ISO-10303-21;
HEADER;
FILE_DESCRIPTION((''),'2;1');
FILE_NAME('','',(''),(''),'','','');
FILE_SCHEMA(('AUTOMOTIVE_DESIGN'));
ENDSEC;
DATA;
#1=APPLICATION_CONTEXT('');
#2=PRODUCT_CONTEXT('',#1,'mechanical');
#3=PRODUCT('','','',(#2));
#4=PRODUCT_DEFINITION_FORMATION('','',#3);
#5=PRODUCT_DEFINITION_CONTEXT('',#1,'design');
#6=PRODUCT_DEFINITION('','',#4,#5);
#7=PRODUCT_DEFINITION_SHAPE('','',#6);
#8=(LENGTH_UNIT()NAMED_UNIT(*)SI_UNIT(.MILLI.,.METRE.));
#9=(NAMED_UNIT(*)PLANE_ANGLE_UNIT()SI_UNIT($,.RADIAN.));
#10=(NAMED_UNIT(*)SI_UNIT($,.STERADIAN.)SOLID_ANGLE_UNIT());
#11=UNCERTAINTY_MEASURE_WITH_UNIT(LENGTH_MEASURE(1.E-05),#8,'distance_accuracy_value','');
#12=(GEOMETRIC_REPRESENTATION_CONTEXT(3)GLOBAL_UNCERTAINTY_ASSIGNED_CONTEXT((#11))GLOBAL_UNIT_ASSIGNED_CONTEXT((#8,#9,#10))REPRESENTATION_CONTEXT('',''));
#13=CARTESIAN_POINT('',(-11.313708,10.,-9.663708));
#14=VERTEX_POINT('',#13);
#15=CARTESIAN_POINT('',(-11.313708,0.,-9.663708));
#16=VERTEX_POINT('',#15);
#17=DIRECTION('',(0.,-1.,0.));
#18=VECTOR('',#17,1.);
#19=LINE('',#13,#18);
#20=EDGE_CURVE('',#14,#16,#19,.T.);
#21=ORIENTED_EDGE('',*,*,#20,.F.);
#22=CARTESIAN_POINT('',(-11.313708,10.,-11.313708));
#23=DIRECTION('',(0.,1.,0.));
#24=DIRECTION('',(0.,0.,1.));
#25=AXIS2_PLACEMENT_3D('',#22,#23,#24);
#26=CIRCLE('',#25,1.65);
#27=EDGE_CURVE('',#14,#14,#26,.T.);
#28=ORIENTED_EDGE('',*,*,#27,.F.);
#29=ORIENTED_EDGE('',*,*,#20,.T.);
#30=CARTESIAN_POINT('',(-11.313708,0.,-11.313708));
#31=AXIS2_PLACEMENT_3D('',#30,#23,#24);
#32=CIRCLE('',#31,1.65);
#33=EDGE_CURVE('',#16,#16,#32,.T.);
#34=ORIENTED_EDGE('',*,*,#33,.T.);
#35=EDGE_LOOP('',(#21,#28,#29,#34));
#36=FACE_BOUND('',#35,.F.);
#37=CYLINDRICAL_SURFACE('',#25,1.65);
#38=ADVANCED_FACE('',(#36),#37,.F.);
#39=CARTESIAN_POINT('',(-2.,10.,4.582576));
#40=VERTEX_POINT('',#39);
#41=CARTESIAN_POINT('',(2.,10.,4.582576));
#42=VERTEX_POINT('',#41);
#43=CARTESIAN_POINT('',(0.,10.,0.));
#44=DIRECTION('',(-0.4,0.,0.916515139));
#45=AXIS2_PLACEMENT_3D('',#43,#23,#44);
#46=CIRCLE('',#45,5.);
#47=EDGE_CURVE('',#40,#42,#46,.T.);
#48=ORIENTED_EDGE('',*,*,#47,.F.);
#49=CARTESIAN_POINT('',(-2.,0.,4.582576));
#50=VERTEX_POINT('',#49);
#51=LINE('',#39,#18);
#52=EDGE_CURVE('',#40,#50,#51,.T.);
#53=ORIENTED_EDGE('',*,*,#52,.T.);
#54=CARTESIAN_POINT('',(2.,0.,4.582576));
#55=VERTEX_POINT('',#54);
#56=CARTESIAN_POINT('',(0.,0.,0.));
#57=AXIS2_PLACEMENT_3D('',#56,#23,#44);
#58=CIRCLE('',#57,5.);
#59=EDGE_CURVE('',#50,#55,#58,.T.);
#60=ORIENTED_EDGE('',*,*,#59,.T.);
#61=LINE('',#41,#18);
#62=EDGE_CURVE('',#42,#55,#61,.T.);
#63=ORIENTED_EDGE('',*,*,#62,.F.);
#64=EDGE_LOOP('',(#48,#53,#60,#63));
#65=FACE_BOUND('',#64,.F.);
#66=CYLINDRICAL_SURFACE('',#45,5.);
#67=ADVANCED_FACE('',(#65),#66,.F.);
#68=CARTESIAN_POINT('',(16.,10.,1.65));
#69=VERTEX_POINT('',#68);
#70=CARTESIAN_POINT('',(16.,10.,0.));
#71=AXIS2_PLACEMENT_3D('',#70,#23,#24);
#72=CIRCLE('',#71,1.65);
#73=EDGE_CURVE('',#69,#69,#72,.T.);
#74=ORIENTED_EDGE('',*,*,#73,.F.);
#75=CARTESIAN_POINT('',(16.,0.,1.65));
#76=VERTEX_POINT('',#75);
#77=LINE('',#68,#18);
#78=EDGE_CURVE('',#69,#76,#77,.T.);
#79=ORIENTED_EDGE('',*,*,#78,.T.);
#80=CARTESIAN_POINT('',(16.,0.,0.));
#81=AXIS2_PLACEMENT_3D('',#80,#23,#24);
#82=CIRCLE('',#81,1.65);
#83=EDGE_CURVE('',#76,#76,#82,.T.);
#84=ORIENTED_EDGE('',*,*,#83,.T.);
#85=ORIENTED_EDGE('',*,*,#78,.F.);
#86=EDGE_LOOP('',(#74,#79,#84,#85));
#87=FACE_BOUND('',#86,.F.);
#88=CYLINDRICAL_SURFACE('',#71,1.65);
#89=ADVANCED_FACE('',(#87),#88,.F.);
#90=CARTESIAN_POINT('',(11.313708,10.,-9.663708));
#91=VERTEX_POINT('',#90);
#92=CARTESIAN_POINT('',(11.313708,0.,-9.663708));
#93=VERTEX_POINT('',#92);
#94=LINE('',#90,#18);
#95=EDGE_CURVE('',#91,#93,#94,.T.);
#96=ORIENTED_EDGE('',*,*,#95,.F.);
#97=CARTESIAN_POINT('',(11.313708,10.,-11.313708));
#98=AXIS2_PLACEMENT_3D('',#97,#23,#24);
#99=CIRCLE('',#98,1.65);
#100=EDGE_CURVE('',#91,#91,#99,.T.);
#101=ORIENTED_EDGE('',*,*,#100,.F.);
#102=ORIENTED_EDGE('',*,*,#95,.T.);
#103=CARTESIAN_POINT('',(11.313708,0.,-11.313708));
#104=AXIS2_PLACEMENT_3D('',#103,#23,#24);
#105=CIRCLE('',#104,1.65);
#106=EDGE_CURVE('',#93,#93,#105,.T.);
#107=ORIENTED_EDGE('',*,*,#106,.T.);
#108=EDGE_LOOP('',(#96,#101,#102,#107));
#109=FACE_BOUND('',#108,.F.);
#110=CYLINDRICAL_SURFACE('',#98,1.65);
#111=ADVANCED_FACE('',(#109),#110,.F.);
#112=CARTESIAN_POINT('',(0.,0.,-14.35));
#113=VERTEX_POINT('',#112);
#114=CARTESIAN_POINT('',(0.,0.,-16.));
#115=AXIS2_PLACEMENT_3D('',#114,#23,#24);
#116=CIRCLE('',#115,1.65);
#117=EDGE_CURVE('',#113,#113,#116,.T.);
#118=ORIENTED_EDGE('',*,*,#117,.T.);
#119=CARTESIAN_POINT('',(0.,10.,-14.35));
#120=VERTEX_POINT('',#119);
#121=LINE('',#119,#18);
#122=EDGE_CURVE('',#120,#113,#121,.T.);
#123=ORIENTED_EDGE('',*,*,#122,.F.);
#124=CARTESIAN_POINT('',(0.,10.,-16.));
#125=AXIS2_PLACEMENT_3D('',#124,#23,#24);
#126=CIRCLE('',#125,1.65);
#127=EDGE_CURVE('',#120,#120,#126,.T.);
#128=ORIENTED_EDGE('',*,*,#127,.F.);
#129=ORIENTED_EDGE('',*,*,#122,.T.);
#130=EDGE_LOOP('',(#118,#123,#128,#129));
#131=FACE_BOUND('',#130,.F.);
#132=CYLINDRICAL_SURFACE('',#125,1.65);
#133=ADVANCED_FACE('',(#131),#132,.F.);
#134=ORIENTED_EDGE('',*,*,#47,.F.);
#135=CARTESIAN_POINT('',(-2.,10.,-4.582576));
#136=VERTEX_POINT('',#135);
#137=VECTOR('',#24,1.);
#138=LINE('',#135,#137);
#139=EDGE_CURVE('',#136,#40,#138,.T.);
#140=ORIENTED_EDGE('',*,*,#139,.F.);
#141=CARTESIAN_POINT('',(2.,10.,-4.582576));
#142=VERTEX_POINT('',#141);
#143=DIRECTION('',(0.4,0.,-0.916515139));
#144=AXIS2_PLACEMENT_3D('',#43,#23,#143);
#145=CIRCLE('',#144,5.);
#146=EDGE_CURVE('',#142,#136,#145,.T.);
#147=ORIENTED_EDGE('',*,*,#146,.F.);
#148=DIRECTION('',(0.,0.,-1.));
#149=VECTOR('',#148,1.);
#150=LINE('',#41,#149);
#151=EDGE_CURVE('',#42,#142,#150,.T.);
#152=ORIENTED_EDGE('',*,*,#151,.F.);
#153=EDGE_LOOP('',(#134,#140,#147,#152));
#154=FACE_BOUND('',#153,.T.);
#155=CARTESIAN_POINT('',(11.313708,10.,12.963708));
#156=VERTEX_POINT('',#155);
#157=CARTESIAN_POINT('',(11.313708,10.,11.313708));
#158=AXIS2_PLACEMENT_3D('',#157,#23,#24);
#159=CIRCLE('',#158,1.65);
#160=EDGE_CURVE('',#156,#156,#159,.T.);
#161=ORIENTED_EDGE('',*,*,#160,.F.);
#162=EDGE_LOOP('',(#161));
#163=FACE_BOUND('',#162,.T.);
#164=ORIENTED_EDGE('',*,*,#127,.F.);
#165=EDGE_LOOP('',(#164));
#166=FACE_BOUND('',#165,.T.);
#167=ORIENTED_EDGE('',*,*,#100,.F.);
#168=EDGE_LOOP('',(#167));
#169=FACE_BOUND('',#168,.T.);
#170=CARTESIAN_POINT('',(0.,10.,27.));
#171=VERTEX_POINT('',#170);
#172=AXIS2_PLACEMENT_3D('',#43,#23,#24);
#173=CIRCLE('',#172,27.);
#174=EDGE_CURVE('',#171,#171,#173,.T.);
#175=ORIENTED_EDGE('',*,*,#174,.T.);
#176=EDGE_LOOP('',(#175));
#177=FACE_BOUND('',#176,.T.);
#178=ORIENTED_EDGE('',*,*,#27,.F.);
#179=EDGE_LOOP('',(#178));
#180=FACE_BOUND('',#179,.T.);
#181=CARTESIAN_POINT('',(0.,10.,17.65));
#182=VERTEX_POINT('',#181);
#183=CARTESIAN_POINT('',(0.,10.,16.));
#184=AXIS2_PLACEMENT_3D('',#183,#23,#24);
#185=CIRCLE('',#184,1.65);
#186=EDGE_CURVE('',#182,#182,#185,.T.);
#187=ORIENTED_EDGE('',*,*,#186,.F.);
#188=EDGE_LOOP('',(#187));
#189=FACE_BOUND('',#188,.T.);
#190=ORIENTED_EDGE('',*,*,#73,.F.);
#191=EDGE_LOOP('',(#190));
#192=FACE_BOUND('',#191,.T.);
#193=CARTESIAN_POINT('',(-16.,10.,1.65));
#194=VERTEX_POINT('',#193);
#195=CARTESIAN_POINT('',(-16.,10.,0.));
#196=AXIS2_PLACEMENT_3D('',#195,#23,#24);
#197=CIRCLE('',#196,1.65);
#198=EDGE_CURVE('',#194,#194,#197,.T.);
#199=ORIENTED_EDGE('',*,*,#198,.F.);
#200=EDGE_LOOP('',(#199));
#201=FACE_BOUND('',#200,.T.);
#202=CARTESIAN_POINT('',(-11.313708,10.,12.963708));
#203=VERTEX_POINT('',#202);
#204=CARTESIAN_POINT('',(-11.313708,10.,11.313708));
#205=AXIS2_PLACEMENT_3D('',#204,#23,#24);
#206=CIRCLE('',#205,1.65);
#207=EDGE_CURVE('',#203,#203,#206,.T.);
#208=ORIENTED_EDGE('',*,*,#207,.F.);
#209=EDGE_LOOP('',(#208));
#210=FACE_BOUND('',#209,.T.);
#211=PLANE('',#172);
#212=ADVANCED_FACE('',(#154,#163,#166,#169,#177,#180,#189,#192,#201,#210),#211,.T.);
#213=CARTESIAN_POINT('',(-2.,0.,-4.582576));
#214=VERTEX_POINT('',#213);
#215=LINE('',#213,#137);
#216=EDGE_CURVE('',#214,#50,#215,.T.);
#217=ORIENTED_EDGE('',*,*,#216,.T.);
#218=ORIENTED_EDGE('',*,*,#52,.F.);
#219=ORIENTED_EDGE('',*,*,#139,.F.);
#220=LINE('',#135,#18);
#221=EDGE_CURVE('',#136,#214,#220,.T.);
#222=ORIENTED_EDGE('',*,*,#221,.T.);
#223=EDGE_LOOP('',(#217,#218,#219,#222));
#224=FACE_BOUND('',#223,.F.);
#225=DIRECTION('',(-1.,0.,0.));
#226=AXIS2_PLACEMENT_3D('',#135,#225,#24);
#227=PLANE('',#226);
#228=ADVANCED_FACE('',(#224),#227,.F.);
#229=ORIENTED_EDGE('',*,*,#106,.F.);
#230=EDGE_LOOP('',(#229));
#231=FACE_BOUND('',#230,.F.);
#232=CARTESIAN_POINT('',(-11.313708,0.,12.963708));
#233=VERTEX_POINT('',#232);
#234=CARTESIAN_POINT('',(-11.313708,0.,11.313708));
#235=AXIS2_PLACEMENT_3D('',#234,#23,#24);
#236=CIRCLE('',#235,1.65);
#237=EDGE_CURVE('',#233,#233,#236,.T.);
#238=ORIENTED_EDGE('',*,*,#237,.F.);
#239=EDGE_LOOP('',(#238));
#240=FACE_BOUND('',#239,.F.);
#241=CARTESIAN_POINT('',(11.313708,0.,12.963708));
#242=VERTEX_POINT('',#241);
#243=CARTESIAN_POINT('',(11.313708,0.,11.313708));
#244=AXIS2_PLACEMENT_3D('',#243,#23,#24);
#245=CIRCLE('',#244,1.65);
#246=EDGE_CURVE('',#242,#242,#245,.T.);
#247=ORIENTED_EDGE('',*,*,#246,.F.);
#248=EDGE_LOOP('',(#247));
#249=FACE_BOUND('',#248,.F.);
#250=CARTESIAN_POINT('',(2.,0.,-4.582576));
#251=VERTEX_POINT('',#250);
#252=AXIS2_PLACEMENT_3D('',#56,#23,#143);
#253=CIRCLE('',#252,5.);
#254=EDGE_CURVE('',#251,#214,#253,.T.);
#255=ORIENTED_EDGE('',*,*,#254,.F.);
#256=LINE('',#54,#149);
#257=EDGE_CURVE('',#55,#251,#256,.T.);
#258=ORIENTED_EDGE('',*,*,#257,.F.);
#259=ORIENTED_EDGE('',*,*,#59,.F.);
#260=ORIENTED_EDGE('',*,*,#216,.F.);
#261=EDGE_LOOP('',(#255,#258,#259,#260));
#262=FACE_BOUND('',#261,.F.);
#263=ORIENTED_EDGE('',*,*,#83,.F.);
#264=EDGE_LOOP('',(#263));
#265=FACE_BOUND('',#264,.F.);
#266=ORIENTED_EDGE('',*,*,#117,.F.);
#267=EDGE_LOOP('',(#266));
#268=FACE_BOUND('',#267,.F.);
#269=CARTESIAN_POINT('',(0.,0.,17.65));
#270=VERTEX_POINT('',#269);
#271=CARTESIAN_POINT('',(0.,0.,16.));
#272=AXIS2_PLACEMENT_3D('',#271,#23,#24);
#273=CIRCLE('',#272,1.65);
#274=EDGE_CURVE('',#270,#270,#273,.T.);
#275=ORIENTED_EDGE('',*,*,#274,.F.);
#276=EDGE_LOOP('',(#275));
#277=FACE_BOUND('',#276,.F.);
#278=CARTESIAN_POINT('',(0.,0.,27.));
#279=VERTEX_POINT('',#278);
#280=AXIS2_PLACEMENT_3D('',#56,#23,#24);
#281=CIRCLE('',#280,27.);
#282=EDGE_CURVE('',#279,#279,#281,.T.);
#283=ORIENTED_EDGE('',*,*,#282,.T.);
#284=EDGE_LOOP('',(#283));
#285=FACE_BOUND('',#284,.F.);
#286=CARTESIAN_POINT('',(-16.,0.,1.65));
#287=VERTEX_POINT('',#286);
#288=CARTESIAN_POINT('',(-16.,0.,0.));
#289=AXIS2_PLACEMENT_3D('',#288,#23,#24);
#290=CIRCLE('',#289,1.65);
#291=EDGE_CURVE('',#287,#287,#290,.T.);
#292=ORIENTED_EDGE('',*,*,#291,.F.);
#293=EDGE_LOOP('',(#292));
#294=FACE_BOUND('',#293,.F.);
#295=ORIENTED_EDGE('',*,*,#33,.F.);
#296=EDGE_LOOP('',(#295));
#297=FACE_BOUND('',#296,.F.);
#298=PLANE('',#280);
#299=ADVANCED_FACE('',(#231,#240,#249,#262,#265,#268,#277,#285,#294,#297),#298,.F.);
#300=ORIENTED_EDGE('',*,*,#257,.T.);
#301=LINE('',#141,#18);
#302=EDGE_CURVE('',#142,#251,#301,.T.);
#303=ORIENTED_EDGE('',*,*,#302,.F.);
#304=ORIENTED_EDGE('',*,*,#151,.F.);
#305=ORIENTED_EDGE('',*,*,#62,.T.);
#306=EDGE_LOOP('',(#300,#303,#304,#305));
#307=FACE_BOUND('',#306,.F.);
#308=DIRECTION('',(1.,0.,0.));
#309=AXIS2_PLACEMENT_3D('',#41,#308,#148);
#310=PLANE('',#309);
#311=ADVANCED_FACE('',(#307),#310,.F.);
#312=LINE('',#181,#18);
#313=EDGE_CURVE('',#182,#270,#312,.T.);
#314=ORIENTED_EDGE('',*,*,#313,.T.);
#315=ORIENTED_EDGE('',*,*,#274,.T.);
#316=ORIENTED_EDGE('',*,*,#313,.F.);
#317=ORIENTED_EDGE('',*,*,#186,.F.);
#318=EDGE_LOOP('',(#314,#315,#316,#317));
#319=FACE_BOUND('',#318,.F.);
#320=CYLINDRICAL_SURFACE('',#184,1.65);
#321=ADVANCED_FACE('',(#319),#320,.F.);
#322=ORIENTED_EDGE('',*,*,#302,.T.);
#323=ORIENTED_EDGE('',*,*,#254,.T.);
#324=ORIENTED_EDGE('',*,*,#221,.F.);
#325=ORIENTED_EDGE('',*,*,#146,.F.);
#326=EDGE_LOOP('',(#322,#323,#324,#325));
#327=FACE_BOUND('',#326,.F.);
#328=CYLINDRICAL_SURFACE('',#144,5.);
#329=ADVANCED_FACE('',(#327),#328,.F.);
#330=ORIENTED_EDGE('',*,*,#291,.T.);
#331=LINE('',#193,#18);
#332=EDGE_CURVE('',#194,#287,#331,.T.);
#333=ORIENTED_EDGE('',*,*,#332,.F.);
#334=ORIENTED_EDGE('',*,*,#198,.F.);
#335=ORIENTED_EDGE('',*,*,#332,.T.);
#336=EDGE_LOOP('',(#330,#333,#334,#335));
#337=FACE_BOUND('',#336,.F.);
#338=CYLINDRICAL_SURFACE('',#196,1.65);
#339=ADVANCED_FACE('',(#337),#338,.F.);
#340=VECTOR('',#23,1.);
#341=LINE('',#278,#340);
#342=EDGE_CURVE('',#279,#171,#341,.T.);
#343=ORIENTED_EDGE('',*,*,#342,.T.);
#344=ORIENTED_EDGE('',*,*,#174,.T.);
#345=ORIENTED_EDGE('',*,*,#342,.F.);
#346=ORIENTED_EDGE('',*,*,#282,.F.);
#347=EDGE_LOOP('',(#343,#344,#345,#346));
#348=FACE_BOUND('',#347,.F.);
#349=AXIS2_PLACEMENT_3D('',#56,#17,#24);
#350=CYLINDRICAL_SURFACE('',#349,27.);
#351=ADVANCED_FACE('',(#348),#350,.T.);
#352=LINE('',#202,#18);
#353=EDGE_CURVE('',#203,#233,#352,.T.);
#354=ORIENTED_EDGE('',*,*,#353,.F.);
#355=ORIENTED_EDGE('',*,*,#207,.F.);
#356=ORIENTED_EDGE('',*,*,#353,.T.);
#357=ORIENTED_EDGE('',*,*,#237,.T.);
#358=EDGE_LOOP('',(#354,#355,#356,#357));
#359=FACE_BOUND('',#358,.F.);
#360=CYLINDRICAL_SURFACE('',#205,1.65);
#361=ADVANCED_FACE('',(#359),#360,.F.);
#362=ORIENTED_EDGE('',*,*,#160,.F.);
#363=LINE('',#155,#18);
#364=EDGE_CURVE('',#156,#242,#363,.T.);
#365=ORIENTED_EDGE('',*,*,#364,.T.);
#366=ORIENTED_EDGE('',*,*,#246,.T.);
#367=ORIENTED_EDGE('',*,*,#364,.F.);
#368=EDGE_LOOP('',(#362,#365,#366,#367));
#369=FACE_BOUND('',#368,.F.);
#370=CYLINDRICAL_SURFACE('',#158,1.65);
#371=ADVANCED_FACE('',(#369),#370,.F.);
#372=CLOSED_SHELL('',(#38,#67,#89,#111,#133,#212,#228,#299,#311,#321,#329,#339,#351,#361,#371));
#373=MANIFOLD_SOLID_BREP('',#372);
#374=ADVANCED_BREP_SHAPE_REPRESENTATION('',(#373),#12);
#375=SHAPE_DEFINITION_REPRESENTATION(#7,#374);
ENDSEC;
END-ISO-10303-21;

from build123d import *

# Parameters (mm, degrees)
SKETCH1_R           = 27
BOSS_EXTRUDE1_DEPTH = 10
CUT_EXTRUDE1_DEPTH  = 10
SKETCH3_R           = 1.65
CUT_EXTRUDE2_DEPTH  = 10


with BuildPart() as part:
    # Sketch1 → Boss-Extrude1 (new body)
    with BuildSketch(Plane(origin=(0, 0, 0), x_dir=(1, 0, 0), z_dir=(0, 1, 0))):
        with Locations(Location((0, 0, 0), (0, 0, 270))):
            Circle(SKETCH1_R)
    extrude(amount=BOSS_EXTRUDE1_DEPTH)

    # Sketch2 → Cut-Extrude1 (cut)
    with BuildSketch(Plane(origin=(0, 10, 0), x_dir=(1, 0, 0), z_dir=(0, 1, 0))):
        with BuildLine():
            Line((-2, 4.582575695), (-2, -4.582575695))
            ThreePointArc((-2, -4.582575695), (0, -5), (2, -4.582575695))
            Line((2, -4.582575695), (2, 4.582575695))
            ThreePointArc((2, 4.582575695), (0, 5), (-2, 4.582575695))
        make_face()
    extrude(amount=-CUT_EXTRUDE1_DEPTH, mode=Mode.SUBTRACT)

    # Sketch3 → Cut-Extrude2 (cut)
    with BuildSketch(Plane(origin=(0, 10, 0), x_dir=(1, 0, 0), z_dir=(0, 1, 0))):
        with Locations(Location((16, 0, 0), (0, 0, 270))):
            Circle(SKETCH3_R)
        with Locations(Location((11.313708499, -11.313708499, 0), (0, 0, 270))):
            Circle(SKETCH3_R)
        with Locations(Location((0, -16, 0), (0, 0, 270))):
            Circle(SKETCH3_R)
        with Locations(Location((-11.313708499, -11.313708499, 0), (0, 0, 270))):
            Circle(SKETCH3_R)
        with Locations(Location((-16, 0, 0), (0, 0, 270))):
            Circle(SKETCH3_R)
        with Locations(Location((-11.313708499, 11.313708499, 0), (0, 0, 270))):
            Circle(SKETCH3_R)
        with Locations(Location((0, 16, 0), (0, 0, 270))):
            Circle(SKETCH3_R)
        with Locations(Location((11.313708499, 11.313708499, 0), (0, 0, 270))):
            Circle(SKETCH3_R)
    extrude(amount=-CUT_EXTRUDE2_DEPTH, mode=Mode.SUBTRACT)


solid = part.part
